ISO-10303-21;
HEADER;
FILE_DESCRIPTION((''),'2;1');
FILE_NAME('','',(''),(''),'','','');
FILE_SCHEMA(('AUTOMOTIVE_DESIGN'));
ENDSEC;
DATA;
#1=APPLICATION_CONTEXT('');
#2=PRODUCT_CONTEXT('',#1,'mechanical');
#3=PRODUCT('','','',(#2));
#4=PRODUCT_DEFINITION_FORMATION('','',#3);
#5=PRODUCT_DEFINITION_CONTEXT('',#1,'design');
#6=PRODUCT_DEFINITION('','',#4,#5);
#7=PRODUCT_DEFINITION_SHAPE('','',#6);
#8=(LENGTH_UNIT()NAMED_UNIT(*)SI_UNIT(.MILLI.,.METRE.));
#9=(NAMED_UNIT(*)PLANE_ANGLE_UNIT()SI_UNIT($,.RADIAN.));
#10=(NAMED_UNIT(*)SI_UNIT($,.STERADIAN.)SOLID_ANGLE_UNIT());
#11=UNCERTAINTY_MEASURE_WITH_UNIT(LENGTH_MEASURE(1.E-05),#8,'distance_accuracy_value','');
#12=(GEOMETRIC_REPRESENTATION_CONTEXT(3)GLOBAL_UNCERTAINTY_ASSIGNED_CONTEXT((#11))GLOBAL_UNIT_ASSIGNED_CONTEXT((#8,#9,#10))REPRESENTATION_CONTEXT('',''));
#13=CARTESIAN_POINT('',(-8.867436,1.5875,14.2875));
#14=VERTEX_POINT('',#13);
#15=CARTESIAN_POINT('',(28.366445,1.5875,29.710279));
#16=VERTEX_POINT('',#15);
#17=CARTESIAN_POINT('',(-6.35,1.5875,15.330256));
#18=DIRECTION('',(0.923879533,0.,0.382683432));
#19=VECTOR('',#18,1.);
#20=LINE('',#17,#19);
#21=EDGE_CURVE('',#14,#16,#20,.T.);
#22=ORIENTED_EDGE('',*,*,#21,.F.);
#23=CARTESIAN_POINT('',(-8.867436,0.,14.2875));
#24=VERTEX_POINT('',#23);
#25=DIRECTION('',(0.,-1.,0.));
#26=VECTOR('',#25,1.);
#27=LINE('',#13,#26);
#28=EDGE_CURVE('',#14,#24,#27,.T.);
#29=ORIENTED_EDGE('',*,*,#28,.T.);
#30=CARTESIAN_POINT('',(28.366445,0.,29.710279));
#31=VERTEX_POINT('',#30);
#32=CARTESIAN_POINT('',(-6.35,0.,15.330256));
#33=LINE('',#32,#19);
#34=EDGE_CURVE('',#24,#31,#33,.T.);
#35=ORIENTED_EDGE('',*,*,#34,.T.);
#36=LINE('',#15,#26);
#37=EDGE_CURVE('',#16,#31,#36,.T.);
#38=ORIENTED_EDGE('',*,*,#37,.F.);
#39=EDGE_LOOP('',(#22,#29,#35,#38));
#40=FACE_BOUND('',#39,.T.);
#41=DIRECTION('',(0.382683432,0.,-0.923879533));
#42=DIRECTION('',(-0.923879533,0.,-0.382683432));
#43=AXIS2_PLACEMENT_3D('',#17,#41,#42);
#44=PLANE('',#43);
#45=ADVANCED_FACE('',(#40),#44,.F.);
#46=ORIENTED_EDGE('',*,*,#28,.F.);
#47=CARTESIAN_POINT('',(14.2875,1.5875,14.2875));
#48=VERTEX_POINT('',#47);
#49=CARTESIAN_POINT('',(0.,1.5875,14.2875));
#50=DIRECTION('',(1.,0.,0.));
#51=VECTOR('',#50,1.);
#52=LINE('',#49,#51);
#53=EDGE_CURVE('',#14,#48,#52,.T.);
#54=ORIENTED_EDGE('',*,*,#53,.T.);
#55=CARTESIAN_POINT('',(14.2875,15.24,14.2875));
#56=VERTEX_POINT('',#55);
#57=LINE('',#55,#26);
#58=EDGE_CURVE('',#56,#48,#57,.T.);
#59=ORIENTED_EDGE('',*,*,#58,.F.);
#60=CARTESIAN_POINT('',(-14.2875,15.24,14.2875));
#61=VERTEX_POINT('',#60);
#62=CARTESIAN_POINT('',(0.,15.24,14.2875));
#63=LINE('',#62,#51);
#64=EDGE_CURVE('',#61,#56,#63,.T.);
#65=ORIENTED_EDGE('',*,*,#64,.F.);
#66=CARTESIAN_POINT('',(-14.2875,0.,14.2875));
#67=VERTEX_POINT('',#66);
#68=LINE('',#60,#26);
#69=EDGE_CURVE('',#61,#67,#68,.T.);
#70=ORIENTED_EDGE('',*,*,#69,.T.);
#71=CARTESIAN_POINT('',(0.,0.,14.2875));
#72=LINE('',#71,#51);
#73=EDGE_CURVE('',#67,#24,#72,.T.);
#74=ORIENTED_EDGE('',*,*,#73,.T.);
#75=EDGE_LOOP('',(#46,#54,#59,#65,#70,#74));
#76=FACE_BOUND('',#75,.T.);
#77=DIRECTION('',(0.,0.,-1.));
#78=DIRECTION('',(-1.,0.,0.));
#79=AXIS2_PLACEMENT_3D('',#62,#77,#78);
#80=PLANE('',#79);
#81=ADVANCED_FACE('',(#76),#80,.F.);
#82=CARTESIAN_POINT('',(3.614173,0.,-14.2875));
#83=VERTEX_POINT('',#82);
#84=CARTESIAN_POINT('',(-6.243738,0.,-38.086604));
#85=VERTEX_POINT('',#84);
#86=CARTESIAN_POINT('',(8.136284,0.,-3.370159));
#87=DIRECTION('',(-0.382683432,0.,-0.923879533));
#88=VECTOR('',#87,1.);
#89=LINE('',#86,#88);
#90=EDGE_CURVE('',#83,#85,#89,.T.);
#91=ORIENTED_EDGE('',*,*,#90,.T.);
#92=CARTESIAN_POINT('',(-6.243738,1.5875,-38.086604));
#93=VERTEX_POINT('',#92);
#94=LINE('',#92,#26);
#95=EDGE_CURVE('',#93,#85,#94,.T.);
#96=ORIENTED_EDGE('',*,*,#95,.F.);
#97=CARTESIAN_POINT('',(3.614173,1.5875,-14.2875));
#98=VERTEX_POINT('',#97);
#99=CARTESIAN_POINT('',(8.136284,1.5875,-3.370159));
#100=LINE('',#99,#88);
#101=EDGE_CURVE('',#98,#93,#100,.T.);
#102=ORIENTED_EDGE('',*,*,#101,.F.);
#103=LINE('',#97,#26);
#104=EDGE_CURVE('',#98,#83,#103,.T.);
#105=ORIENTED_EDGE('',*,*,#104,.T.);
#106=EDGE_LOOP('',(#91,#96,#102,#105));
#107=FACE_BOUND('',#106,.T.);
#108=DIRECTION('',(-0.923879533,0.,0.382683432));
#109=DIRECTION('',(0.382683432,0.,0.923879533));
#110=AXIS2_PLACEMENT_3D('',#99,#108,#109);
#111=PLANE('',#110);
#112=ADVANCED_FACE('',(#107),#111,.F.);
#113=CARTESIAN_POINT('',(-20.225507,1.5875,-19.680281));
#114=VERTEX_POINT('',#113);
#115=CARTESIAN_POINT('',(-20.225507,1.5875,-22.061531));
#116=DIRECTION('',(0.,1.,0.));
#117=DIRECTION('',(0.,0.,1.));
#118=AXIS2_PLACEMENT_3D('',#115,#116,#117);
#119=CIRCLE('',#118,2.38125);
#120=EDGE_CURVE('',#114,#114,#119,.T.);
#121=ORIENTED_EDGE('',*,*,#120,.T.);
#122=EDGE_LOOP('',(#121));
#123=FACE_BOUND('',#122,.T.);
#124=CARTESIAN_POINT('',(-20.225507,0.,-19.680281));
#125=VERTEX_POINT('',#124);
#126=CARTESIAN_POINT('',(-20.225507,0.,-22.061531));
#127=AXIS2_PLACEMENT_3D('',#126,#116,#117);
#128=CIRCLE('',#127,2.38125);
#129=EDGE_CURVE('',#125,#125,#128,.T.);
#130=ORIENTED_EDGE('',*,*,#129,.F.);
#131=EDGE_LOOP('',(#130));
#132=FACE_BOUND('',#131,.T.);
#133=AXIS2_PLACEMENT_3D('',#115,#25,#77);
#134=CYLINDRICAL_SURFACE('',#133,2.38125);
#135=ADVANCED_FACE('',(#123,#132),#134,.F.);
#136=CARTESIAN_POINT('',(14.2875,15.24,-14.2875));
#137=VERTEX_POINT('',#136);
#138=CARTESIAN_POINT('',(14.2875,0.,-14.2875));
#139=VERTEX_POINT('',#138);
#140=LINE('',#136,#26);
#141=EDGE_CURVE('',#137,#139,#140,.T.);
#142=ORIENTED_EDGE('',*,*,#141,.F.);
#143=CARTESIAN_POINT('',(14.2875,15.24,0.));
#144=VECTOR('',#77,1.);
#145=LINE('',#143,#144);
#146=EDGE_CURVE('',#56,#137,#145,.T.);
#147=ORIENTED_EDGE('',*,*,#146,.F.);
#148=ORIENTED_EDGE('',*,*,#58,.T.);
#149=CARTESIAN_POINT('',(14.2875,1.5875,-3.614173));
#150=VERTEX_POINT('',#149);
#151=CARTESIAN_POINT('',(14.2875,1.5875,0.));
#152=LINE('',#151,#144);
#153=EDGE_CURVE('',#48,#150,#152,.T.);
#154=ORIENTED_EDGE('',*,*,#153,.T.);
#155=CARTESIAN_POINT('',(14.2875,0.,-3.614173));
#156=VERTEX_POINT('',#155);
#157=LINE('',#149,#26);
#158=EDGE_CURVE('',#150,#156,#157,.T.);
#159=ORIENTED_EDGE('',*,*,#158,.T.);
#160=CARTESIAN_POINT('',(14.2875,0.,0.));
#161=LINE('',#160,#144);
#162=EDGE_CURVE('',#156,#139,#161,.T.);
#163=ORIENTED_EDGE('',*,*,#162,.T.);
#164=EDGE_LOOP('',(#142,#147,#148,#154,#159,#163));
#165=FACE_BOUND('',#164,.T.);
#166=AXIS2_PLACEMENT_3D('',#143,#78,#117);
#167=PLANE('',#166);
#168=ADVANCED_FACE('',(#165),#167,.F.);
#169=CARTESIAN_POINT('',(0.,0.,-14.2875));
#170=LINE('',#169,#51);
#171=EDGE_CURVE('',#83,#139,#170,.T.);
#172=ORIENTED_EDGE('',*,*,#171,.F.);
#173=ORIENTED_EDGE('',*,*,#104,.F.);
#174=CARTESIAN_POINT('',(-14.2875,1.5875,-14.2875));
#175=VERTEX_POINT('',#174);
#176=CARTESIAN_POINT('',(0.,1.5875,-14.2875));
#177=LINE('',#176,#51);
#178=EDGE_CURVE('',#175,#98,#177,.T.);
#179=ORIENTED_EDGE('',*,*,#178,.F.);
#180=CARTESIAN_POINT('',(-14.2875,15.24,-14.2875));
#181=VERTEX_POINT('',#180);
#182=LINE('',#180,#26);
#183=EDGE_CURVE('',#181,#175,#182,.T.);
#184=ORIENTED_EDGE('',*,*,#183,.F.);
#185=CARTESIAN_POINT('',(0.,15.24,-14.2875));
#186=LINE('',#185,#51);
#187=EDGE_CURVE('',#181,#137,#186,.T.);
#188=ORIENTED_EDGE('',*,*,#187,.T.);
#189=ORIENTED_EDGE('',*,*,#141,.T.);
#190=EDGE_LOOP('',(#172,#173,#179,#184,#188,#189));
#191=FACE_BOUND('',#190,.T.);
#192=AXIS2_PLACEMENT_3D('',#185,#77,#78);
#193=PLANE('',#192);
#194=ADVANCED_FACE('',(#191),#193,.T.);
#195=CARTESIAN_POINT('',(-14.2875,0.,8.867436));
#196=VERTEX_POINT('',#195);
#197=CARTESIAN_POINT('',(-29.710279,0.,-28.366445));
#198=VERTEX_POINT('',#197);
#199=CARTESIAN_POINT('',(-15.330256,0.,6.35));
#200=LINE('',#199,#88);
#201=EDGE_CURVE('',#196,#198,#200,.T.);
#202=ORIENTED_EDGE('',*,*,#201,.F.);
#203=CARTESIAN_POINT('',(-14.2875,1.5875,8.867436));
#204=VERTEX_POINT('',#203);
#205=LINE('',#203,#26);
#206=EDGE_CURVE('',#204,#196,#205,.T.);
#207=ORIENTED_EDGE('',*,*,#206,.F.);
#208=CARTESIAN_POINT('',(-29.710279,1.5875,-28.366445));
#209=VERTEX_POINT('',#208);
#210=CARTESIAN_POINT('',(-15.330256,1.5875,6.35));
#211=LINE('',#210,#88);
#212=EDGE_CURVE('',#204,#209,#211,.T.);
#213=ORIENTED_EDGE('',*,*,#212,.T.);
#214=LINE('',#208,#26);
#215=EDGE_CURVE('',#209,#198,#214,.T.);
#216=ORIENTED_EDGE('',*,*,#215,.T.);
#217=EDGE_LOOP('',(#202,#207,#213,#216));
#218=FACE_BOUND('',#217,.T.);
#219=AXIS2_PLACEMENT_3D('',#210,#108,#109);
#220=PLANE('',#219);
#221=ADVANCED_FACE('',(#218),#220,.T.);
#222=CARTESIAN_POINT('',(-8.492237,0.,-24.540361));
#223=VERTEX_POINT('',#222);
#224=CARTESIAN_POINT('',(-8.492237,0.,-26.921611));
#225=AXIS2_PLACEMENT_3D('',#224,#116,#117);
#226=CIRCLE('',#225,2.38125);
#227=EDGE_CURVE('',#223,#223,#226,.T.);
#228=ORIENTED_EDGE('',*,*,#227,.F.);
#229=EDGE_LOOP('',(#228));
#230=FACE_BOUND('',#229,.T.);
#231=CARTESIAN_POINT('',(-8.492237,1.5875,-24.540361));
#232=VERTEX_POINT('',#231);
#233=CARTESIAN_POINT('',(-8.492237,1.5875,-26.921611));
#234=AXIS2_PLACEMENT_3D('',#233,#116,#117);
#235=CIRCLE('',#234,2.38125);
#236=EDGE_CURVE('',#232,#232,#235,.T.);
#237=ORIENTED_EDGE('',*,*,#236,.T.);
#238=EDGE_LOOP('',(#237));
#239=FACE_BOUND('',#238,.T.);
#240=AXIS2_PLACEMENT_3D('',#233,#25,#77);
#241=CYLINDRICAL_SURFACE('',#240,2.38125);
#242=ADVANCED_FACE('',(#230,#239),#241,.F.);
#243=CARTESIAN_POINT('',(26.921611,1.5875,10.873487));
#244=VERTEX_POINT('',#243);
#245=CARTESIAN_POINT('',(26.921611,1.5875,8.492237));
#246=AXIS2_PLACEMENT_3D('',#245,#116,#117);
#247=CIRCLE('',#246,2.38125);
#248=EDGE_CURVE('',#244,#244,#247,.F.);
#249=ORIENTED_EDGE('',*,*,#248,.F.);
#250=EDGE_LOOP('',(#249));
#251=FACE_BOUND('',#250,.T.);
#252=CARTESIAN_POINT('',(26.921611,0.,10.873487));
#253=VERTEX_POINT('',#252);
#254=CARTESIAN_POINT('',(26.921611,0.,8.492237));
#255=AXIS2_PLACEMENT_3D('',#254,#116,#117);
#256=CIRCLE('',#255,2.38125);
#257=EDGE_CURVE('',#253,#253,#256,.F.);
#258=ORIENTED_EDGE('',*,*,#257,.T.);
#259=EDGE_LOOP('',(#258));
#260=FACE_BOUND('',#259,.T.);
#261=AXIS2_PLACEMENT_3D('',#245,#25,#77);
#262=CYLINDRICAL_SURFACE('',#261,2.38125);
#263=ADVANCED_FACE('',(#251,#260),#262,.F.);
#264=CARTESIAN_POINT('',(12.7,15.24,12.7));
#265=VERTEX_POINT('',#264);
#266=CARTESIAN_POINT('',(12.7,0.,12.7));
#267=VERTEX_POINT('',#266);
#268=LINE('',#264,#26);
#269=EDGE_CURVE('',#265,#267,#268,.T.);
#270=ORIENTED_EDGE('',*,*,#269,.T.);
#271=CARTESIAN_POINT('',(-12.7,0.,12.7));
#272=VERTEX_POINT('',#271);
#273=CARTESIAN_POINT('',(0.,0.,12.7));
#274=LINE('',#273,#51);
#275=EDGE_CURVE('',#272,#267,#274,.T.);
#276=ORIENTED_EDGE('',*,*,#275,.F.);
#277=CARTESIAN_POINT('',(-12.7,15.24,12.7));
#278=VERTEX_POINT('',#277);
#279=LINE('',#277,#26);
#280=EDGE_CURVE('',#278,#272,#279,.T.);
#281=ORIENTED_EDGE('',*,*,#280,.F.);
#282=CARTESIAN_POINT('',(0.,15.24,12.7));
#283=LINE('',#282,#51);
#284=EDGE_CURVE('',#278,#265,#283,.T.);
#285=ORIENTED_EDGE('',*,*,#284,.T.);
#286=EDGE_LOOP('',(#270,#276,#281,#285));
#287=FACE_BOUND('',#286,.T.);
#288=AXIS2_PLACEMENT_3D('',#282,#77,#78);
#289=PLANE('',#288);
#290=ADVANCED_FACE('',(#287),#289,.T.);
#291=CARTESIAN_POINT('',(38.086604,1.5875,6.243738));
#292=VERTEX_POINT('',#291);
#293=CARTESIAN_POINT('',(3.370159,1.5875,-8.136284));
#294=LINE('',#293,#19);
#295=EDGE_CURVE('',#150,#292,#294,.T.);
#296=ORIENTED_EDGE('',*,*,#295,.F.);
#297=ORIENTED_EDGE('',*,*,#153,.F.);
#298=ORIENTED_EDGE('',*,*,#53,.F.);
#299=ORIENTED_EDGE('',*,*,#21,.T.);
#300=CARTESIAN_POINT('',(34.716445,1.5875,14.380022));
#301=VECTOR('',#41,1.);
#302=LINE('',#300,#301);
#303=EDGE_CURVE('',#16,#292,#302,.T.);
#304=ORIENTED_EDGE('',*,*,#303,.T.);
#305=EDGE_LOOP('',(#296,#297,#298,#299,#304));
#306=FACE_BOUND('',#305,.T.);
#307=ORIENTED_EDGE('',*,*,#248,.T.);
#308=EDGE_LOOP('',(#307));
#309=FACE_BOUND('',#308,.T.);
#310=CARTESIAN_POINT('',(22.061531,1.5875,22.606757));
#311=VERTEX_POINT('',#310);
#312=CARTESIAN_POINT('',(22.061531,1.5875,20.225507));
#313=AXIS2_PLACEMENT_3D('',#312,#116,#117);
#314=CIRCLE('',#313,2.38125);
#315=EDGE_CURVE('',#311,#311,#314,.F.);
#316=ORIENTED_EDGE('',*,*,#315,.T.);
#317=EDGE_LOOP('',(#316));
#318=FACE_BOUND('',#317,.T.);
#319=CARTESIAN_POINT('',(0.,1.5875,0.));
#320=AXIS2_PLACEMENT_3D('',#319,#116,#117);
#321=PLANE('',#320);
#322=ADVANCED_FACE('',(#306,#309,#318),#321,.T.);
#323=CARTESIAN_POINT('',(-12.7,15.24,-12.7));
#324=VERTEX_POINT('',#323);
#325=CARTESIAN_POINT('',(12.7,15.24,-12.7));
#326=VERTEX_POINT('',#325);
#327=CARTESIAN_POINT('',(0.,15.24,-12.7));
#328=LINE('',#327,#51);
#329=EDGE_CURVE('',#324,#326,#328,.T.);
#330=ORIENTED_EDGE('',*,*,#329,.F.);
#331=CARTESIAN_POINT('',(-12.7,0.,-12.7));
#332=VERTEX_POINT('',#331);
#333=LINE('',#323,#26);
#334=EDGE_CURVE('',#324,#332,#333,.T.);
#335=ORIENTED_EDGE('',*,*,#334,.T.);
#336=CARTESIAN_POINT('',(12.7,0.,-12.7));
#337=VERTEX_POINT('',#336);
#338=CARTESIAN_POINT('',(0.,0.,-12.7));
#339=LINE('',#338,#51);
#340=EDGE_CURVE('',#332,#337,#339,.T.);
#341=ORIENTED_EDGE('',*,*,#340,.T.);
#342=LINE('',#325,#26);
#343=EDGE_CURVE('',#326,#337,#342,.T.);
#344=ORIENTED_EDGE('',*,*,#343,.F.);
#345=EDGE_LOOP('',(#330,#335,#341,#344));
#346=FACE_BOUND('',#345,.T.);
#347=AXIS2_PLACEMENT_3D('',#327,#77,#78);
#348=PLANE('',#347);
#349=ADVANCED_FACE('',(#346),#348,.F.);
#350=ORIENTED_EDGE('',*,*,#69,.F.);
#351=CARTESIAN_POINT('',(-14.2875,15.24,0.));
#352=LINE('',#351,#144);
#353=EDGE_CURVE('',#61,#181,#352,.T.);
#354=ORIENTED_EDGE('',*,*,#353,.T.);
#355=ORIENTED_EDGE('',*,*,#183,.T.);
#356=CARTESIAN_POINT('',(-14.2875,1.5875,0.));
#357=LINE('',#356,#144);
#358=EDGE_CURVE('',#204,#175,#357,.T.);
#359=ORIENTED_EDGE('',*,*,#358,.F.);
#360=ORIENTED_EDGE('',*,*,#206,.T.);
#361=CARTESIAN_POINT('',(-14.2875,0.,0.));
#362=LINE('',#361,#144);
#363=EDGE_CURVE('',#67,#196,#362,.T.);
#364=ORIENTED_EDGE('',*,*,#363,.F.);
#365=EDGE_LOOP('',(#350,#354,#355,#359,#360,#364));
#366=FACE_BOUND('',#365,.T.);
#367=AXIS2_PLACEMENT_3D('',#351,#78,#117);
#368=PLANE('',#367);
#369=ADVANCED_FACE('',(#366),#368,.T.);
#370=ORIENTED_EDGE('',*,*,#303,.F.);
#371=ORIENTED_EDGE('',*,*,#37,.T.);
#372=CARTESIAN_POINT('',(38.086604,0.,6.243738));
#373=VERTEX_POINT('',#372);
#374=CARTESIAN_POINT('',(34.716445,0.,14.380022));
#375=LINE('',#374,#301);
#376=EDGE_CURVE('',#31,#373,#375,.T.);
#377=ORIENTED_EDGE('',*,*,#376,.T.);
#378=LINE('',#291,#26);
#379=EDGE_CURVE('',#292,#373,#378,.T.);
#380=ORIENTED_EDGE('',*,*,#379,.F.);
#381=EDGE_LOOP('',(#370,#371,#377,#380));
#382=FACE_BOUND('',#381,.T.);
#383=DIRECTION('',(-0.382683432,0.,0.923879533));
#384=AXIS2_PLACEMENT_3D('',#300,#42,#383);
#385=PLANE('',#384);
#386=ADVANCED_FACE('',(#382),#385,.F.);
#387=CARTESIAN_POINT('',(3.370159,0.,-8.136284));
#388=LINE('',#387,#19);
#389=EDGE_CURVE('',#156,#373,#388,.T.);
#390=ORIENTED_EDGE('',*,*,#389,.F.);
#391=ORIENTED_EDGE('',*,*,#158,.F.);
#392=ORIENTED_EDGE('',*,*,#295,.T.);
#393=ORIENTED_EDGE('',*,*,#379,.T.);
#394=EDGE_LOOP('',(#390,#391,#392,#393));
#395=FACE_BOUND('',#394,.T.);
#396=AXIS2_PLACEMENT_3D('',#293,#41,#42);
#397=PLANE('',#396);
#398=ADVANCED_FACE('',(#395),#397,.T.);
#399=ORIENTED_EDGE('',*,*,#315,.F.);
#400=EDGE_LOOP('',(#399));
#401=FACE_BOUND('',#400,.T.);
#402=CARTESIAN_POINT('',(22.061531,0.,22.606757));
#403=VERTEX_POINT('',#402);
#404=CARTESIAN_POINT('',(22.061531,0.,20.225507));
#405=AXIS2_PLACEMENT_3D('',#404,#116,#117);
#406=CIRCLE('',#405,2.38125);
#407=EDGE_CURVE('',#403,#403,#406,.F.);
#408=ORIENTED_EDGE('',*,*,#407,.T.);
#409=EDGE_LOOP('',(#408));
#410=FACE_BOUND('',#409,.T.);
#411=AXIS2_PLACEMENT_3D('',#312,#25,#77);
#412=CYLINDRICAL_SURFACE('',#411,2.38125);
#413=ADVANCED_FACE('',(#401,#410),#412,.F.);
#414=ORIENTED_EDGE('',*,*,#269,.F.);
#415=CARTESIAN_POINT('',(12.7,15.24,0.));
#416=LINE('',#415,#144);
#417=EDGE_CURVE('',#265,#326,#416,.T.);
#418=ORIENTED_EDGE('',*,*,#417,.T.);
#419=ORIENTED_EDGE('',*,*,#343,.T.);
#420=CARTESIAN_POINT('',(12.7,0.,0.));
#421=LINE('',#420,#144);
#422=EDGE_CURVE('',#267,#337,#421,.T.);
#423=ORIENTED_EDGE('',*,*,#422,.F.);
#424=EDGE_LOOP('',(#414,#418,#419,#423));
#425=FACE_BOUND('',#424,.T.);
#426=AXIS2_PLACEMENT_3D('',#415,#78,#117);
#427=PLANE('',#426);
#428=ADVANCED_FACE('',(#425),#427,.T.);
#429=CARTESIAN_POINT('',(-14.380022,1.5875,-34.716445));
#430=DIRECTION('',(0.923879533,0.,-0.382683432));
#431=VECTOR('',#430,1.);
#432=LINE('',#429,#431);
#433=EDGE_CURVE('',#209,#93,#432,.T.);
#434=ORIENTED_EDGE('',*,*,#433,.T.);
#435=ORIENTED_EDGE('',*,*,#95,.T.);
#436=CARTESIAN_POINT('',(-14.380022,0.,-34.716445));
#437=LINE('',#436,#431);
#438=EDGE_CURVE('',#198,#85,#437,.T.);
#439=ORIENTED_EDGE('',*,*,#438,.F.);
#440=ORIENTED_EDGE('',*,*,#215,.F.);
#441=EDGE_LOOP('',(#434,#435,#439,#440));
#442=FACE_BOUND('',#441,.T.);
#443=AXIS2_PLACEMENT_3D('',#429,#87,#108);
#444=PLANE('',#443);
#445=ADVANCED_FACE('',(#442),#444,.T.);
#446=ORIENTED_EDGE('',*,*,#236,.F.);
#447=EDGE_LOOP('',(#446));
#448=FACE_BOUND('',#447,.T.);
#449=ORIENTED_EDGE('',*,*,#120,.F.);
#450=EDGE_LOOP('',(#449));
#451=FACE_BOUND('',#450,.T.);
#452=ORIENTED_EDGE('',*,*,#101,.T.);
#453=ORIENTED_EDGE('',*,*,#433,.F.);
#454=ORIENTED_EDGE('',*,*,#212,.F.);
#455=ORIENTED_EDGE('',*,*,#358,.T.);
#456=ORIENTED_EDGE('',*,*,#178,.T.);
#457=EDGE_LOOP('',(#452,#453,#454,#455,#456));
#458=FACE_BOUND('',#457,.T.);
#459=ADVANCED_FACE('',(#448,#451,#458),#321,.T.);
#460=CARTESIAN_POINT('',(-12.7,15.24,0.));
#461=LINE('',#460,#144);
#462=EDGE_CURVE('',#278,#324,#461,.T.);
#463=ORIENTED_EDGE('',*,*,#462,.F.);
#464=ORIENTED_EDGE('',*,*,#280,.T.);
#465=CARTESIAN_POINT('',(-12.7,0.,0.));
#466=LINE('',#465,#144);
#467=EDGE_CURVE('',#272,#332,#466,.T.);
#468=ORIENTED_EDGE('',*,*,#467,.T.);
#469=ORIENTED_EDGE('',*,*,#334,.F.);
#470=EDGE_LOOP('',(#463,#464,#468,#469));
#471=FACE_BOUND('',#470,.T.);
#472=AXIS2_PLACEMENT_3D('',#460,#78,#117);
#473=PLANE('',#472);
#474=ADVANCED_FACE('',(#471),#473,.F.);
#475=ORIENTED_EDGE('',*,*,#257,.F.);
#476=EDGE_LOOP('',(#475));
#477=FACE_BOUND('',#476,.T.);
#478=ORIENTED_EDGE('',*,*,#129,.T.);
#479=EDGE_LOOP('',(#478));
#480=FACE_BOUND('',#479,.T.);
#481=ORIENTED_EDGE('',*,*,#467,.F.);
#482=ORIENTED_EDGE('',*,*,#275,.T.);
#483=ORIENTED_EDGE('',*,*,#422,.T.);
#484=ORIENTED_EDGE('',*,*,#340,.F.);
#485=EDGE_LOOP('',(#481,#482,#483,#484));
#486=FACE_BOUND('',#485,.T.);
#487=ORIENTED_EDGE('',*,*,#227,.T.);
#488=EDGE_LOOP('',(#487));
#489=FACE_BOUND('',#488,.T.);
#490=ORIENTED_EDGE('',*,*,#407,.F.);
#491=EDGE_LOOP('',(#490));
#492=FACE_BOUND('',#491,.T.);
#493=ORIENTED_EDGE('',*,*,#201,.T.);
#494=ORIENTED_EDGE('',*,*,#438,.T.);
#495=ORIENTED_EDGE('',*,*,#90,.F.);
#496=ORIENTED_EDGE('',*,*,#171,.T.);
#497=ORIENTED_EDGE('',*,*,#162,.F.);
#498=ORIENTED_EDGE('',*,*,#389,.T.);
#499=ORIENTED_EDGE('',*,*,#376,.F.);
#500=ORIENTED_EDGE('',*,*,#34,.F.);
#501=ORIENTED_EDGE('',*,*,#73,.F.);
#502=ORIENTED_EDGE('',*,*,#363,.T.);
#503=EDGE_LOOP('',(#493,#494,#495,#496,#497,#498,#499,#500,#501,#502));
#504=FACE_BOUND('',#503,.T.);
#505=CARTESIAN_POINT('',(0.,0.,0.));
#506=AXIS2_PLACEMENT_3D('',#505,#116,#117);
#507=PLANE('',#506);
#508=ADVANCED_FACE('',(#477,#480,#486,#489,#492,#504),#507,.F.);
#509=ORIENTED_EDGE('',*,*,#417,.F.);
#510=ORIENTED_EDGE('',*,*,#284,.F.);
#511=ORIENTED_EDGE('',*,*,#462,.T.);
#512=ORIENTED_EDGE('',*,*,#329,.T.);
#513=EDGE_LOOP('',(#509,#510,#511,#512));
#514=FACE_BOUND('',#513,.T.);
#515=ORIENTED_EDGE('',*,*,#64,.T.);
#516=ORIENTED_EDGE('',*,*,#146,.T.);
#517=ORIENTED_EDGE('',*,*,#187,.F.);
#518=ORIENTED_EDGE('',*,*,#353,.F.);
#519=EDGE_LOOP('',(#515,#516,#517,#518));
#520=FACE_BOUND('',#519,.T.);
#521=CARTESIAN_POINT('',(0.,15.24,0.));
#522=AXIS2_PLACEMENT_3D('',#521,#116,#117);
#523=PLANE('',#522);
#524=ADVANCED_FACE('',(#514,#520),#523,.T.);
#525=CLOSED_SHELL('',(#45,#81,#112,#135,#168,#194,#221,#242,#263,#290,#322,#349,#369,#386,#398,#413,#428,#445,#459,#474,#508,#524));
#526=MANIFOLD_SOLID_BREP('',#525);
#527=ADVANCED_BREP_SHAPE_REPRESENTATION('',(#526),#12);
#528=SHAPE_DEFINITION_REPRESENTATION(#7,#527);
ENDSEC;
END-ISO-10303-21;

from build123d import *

# Parameters (mm, degrees)
SKETCH2_W           = 28.575
SKETCH2_H           = 28.575
SKETCH2_W_2         = 25.4
SKETCH2_H_2         = 25.4
BOSS_EXTRUDE1_DEPTH = 15.24
SKETCH2_3_R         = 2.38125
BOSS_EXTRUDE2_DEPTH = 1.5875


with BuildPart() as part:
    # Sketch2 → Boss-Extrude1 (new body)
    with BuildSketch(Plane(origin=(0, 0, 0), x_dir=(1, 0, 0), z_dir=(0, 1, 0))):
        Rectangle(SKETCH2_W, SKETCH2_H)
        Rectangle(SKETCH2_W_2, SKETCH2_H_2, mode=Mode.SUBTRACT)
    extrude(amount=BOSS_EXTRUDE1_DEPTH)

    # Sketch2<3> → Boss-Extrude2 (add)
    # profile 1 of 2: a face of its own
    with BuildSketch(Plane(origin=(0, 0, 0), x_dir=(1, 0, 0), z_dir=(0, 1, 0))):
        Polygon((-14.2875, 14.2875), (3.614173373, 14.2875), (-6.243738443, 38.086604402), (-29.710278569, 28.36644522), (-14.2875, -8.86743597), align=None)
        with Locations((-8.492237251, 26.921611065)):
            Circle(SKETCH2_3_R, mode=Mode.SUBTRACT)
        with Locations((-20.225507313, 22.061531474)):
            Circle(SKETCH2_3_R, mode=Mode.SUBTRACT)
    # profile 2 of 2: a face of its own
    with BuildSketch(Plane(origin=(0, 0, 0), x_dir=(1, 0, 0), z_dir=(0, 1, 0))):
        Polygon((14.2875, 3.614173373), (14.2875, -14.2875), (-8.86743597, -14.2875), (28.36644522, -29.710278569), (38.086604402, -6.243738443), align=None)
        with Locations((22.061531474, -20.225507313)):
            Circle(SKETCH2_3_R, mode=Mode.SUBTRACT)
        with Locations((26.921611065, -8.492237251)):
            Circle(SKETCH2_3_R, mode=Mode.SUBTRACT)
    extrude(amount=BOSS_EXTRUDE2_DEPTH)


solid = part.part
